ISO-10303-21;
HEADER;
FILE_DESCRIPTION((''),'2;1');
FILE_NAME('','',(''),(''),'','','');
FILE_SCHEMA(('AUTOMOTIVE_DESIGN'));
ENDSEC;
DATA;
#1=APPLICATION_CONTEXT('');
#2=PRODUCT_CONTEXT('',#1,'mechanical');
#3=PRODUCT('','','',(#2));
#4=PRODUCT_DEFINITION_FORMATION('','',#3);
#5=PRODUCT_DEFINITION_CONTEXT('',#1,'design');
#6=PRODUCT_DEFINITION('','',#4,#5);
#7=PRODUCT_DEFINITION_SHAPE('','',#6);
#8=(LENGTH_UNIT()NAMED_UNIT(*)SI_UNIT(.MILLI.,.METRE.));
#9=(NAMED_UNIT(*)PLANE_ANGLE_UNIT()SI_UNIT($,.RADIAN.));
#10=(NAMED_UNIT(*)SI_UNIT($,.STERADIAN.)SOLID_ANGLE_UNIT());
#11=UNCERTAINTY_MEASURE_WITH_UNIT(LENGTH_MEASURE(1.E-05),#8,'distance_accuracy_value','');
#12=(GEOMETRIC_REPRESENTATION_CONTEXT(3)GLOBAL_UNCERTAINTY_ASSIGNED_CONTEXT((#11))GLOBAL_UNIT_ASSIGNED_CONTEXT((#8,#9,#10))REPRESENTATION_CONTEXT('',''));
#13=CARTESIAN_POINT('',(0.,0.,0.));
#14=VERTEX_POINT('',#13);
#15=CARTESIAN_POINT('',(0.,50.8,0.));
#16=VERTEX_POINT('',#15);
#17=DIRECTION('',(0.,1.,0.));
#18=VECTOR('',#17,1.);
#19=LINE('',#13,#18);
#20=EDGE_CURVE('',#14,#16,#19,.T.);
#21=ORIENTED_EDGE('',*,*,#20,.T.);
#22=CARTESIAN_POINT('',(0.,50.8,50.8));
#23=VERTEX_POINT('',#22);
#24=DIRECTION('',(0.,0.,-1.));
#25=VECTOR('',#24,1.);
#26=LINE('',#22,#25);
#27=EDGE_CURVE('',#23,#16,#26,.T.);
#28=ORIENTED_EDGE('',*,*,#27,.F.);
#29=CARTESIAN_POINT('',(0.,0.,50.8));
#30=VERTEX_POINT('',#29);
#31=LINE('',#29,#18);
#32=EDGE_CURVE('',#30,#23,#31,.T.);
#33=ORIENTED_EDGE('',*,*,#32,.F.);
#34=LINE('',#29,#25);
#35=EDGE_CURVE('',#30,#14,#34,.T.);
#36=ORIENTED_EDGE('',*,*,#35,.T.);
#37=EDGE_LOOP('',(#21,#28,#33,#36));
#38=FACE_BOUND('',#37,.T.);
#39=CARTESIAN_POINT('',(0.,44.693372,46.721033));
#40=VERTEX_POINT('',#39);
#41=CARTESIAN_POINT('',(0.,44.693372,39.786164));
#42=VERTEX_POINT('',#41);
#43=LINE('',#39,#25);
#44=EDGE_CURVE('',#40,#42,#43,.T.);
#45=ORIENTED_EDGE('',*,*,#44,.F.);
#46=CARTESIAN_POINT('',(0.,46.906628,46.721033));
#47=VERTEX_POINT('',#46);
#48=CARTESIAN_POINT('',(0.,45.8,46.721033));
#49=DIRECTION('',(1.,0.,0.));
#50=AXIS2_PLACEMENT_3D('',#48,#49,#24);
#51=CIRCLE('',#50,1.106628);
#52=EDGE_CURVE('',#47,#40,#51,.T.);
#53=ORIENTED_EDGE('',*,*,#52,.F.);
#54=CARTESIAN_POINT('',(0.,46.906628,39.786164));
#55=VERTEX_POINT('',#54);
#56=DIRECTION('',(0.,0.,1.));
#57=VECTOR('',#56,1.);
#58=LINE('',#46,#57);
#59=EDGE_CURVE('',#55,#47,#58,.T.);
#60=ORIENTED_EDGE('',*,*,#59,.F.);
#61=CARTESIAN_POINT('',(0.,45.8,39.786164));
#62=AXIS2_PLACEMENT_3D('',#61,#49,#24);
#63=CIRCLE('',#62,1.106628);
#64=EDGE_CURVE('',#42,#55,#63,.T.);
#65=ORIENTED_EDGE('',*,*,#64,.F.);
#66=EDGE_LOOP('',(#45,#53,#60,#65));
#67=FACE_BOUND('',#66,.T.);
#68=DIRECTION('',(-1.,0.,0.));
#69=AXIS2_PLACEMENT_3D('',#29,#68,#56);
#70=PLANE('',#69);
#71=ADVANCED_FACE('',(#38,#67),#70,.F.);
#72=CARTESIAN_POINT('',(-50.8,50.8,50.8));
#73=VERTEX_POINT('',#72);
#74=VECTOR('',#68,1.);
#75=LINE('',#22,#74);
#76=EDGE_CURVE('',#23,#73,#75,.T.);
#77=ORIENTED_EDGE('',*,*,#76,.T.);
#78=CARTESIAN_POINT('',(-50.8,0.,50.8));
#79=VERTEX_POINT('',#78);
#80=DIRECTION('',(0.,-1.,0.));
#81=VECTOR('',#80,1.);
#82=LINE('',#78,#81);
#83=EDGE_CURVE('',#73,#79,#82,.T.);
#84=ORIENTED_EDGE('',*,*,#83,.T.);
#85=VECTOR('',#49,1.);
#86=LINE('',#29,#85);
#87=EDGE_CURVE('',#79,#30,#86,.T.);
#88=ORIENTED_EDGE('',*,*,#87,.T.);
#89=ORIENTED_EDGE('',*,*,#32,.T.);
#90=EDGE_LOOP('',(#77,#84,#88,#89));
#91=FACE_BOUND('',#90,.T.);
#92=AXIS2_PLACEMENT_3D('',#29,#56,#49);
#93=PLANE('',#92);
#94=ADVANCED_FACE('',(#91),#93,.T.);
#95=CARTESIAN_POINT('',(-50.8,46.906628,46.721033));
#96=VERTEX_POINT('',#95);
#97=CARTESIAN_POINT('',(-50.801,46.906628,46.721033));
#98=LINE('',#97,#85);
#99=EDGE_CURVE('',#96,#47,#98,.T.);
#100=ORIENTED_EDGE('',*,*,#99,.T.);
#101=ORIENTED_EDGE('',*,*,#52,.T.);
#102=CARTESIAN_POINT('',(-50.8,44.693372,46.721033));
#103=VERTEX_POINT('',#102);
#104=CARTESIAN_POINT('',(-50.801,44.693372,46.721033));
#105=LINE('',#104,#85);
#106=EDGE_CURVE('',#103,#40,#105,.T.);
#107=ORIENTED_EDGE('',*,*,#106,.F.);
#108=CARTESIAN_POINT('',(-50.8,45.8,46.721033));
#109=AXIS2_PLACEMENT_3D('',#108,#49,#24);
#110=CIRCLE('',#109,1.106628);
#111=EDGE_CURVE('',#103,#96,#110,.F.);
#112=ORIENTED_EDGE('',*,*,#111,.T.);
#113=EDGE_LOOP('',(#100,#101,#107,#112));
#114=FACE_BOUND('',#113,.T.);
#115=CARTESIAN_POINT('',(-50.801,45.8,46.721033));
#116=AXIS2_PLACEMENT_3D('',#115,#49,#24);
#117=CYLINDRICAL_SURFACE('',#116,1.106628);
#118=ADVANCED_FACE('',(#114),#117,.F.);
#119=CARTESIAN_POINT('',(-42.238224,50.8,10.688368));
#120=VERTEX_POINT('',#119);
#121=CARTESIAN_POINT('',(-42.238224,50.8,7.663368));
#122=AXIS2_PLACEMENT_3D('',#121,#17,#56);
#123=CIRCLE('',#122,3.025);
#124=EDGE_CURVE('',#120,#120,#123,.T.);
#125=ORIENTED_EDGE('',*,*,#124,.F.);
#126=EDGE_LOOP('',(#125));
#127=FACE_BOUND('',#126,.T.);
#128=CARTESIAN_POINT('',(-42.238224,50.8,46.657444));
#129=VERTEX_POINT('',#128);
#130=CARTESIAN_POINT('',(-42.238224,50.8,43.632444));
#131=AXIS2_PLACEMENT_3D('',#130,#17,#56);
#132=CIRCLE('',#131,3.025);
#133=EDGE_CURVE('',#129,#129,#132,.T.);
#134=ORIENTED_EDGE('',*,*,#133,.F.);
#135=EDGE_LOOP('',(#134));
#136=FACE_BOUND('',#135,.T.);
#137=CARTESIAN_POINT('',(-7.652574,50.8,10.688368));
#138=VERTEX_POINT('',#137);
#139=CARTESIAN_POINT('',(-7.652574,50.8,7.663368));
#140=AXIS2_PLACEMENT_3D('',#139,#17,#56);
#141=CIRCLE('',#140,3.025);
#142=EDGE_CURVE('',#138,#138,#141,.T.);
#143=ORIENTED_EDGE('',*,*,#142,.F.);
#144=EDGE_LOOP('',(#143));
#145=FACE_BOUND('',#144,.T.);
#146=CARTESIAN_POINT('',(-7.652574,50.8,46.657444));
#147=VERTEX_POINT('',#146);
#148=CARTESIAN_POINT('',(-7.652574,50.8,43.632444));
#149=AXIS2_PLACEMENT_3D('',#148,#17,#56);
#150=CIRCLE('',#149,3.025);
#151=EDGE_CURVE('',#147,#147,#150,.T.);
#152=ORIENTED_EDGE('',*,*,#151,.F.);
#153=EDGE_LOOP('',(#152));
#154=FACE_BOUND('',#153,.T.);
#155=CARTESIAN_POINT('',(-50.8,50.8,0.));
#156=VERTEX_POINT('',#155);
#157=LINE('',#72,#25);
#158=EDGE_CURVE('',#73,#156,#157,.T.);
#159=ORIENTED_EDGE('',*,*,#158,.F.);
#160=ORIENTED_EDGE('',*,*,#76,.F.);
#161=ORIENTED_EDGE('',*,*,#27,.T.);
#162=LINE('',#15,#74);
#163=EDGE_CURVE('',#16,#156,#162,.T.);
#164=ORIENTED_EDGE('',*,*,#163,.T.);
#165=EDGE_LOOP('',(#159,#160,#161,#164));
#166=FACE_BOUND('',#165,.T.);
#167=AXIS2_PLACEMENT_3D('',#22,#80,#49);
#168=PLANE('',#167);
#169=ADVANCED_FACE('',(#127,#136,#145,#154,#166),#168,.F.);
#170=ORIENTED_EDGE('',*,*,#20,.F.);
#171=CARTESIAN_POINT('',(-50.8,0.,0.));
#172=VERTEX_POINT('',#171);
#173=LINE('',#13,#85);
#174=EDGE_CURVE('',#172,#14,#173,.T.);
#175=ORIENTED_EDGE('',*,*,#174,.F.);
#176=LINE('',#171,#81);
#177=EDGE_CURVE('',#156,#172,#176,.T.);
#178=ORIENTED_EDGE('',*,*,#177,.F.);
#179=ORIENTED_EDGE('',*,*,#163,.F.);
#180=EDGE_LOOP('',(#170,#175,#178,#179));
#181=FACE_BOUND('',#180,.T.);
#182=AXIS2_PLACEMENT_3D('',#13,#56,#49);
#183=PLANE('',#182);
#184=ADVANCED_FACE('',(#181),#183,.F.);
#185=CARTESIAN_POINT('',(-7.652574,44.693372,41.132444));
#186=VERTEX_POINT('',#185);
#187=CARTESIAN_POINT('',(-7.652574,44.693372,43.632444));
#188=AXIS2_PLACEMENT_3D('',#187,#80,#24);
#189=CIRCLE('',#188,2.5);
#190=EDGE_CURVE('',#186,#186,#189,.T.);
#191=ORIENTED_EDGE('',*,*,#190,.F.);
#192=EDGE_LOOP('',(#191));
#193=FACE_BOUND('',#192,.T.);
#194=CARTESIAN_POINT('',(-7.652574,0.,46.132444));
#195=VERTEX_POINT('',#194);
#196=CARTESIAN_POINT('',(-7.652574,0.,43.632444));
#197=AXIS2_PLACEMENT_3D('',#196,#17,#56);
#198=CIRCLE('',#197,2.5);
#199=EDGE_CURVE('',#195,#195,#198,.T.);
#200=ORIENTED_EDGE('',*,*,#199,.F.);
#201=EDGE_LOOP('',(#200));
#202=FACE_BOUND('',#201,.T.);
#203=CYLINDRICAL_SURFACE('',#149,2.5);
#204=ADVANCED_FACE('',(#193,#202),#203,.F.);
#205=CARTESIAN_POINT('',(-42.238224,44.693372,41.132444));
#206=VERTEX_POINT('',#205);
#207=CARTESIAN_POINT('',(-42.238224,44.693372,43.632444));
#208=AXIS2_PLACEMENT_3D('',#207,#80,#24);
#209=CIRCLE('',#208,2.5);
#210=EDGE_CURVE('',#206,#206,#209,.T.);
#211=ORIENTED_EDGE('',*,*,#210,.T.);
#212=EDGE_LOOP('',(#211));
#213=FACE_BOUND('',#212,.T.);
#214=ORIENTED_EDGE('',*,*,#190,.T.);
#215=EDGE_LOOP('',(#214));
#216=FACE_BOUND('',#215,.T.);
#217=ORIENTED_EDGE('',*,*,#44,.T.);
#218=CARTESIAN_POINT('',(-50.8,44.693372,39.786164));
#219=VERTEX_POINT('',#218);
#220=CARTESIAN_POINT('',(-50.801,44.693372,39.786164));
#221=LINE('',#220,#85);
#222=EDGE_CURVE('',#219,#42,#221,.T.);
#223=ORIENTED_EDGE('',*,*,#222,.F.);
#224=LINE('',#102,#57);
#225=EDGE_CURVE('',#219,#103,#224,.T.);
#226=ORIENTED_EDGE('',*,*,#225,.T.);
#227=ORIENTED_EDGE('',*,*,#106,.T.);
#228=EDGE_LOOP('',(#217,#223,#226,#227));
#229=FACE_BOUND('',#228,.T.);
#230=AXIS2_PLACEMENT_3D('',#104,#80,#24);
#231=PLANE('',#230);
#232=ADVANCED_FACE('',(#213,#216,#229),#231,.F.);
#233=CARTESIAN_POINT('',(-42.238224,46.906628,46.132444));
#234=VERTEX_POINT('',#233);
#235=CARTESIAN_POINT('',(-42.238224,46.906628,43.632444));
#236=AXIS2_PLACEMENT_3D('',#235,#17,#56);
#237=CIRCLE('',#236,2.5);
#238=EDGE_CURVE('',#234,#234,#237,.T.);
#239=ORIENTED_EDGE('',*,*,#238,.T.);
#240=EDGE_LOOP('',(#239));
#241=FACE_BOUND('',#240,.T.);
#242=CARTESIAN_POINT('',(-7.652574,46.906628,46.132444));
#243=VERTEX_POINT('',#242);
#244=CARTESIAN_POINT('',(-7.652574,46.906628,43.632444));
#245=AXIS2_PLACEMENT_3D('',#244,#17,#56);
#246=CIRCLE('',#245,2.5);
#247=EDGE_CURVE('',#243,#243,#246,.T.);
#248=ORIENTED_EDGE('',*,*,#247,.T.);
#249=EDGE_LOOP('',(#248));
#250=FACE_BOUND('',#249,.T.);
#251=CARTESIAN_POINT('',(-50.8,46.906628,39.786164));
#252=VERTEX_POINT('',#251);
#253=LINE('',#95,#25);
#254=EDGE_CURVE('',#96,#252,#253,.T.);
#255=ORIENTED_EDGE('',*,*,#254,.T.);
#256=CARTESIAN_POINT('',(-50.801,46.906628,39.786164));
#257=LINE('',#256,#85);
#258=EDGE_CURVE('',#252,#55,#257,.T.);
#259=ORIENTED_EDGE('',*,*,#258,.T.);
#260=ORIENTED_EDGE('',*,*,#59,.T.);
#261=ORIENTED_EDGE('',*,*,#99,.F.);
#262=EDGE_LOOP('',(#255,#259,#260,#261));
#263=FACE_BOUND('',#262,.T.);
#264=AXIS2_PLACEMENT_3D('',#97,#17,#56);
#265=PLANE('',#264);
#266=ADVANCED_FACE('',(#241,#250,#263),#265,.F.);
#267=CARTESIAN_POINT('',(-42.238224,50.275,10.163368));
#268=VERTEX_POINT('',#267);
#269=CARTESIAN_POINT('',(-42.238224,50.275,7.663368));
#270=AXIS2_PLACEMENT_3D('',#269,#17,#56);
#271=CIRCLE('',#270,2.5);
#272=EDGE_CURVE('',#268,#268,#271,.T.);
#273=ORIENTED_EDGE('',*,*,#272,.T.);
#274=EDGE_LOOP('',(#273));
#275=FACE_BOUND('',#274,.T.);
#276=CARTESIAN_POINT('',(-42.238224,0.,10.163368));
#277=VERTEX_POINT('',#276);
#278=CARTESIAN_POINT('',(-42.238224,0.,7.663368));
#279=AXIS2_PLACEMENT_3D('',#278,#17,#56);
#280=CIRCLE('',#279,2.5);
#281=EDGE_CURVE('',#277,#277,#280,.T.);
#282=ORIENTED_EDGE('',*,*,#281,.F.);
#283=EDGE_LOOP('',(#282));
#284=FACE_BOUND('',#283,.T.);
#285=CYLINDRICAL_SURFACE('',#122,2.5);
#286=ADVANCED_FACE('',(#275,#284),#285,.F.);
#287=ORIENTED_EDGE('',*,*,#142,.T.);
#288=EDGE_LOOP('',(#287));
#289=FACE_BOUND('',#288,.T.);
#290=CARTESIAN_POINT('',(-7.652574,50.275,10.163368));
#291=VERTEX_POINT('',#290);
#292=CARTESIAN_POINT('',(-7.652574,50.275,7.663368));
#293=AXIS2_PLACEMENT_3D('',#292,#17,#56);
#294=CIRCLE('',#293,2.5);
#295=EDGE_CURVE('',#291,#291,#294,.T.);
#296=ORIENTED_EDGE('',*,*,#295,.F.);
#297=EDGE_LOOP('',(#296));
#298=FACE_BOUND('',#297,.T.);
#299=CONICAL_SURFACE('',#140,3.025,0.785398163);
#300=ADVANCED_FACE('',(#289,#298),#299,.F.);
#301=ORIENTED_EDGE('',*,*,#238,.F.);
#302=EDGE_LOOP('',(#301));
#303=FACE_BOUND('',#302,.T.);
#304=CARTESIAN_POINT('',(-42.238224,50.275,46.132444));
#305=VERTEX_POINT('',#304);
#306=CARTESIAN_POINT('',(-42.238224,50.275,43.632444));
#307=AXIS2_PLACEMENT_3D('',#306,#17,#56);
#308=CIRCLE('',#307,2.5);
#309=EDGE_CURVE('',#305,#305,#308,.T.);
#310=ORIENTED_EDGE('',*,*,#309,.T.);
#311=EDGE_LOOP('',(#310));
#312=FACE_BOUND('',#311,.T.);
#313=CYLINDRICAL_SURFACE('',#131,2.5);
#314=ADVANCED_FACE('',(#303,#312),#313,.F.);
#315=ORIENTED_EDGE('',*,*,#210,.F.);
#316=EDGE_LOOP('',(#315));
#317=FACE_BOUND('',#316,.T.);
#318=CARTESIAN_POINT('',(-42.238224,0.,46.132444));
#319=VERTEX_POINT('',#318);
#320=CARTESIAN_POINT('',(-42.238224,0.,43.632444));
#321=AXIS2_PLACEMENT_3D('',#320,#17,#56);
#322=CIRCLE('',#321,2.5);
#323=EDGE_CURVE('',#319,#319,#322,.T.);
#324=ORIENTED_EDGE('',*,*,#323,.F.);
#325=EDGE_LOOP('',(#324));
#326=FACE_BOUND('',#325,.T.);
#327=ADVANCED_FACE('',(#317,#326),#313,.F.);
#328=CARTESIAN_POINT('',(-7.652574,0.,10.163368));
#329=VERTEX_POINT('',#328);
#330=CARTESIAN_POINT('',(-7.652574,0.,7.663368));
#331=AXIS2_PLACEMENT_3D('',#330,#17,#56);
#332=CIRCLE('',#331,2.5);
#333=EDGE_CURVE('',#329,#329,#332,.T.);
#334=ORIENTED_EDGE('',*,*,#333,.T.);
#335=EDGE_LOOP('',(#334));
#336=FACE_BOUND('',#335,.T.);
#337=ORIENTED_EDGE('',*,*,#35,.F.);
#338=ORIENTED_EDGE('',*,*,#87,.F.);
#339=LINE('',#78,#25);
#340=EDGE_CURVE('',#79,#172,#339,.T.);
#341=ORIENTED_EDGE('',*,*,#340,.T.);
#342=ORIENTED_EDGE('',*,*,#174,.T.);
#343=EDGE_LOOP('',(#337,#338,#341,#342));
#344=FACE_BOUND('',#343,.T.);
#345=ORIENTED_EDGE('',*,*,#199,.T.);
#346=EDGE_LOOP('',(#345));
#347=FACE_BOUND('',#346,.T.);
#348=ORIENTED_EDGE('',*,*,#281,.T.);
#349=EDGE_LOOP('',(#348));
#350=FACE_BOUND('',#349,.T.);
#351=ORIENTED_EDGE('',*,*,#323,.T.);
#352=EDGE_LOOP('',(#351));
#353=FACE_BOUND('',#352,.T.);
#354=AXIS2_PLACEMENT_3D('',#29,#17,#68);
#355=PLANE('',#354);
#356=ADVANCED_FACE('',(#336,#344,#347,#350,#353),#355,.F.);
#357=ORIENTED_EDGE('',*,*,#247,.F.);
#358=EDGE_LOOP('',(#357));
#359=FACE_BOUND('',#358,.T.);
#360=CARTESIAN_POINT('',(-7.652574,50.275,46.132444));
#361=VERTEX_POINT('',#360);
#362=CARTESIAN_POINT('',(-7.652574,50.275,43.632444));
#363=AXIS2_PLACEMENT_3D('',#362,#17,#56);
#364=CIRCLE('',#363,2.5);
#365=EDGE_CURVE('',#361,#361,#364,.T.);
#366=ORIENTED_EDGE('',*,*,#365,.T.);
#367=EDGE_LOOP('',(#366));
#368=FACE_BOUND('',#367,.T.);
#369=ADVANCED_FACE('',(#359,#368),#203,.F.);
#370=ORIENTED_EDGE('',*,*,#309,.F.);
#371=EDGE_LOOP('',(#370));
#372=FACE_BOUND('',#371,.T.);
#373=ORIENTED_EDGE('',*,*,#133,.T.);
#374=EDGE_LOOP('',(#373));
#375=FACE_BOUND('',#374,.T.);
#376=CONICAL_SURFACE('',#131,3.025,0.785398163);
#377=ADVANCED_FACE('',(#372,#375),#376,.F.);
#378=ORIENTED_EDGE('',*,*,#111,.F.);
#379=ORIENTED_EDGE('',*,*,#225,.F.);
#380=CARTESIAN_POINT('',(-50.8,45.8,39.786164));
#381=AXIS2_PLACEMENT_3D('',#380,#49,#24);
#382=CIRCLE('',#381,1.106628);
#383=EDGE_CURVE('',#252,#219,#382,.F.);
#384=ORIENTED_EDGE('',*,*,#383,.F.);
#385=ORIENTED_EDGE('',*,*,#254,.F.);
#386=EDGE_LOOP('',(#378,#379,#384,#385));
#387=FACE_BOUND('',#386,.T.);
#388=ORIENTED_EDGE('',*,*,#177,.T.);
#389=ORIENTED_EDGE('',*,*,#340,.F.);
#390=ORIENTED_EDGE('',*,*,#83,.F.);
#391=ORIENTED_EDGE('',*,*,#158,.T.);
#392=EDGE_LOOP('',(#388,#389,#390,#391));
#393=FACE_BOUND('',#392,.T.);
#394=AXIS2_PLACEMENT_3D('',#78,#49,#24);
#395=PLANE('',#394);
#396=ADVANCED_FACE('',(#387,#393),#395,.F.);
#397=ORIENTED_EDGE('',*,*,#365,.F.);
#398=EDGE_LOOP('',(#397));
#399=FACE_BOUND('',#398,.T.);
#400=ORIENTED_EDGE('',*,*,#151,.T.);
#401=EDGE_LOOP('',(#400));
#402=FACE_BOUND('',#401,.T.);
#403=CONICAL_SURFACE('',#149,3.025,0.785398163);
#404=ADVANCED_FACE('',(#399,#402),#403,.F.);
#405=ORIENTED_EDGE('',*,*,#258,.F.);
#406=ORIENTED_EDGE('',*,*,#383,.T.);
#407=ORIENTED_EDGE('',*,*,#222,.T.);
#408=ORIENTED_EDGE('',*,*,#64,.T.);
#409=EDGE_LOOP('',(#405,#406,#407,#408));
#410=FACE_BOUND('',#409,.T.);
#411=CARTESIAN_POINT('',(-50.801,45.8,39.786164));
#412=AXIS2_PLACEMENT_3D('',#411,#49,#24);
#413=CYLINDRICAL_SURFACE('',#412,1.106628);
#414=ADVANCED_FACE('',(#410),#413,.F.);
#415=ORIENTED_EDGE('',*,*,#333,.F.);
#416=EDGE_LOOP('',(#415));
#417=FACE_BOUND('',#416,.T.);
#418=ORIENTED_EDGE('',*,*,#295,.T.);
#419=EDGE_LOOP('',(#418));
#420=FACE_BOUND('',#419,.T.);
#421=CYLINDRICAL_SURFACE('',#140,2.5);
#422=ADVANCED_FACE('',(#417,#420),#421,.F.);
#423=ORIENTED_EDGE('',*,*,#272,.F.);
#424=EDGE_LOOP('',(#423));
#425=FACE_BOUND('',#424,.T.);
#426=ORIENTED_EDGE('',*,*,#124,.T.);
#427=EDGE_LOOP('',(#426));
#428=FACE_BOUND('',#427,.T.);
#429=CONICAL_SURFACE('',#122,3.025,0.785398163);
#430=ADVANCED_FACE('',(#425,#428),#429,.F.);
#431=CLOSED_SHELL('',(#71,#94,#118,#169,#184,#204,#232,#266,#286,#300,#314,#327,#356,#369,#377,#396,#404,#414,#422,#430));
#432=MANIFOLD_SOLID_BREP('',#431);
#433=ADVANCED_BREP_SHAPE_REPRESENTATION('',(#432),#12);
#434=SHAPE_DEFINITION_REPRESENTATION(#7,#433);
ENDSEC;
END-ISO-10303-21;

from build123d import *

# Parameters (mm, degrees)
ESQUISSE1_W                 = 50.8
ESQUISSE1_H                 = 50.8
BOSS_EXTRU_1_DEPTH          = 50.8
TROU_TARAUD_M61_D           = 5
TROU_TARAUD_M61_CSINK_D     = 6.05
TROU_TARAUD_M61_CSINK_ANGLE = 90
ENL_V_MAT_EXTRU_2_REACH     = 89.988


with BuildPart() as part:
    # Esquisse1 → Boss.-Extru.1 (new body)
    with BuildSketch(Plane.XY):
        with Locations((-25.4, 25.4)):
            Rectangle(ESQUISSE1_W, ESQUISSE1_H)
    extrude(amount=BOSS_EXTRU_1_DEPTH)

    # Trou taraudé M61 (through all)
    with Locations(Plane(origin=(0, 50.8, 0), x_dir=(1, 0, 0), z_dir=(0, 1, 0))):
        with Locations((-42.238223885, -7.663368272), (-7.652573676, -7.663368272), (-7.652573676, -43.63244449), (-42.238223885, -43.63244449)):
            CounterSinkHole(TROU_TARAUD_M61_D / 2, TROU_TARAUD_M61_CSINK_D / 2, counter_sink_angle=TROU_TARAUD_M61_CSINK_ANGLE)

    # Esquisse4 → Enlèv. mat.-Extru.2 (cut, up to next)
    with BuildSketch(Plane(origin=(0, 0, 0), x_dir=(0, 0, -1), z_dir=(1, 0, 0)), mode=Mode.PRIVATE) as enl_v_mat_extru_2_sk1:
        with BuildLine():
            Line((-46.721032859, 46.906628003), (-39.78616404, 46.906628003))
            ThreePointArc((-39.78616404, 46.906628003), (-38.679536037, 45.8), (-39.78616404, 44.693371997))
            Line((-39.78616404, 44.693371997), (-46.721032859, 44.693371997))
            ThreePointArc((-46.721032859, 44.693371997), (-47.827660862, 45.8), (-46.721032859, 46.906628003))
        make_face()
    enl_v_mat_extru_2_tool1 = extrude(enl_v_mat_extru_2_sk1.sketch, amount=-ENL_V_MAT_EXTRU_2_REACH, mode=Mode.PRIVATE) & part.part
    add(enl_v_mat_extru_2_tool1.solids().sort_by_distance((0, 45.8, 43.253598))[0], mode=Mode.SUBTRACT)


solid = part.part
